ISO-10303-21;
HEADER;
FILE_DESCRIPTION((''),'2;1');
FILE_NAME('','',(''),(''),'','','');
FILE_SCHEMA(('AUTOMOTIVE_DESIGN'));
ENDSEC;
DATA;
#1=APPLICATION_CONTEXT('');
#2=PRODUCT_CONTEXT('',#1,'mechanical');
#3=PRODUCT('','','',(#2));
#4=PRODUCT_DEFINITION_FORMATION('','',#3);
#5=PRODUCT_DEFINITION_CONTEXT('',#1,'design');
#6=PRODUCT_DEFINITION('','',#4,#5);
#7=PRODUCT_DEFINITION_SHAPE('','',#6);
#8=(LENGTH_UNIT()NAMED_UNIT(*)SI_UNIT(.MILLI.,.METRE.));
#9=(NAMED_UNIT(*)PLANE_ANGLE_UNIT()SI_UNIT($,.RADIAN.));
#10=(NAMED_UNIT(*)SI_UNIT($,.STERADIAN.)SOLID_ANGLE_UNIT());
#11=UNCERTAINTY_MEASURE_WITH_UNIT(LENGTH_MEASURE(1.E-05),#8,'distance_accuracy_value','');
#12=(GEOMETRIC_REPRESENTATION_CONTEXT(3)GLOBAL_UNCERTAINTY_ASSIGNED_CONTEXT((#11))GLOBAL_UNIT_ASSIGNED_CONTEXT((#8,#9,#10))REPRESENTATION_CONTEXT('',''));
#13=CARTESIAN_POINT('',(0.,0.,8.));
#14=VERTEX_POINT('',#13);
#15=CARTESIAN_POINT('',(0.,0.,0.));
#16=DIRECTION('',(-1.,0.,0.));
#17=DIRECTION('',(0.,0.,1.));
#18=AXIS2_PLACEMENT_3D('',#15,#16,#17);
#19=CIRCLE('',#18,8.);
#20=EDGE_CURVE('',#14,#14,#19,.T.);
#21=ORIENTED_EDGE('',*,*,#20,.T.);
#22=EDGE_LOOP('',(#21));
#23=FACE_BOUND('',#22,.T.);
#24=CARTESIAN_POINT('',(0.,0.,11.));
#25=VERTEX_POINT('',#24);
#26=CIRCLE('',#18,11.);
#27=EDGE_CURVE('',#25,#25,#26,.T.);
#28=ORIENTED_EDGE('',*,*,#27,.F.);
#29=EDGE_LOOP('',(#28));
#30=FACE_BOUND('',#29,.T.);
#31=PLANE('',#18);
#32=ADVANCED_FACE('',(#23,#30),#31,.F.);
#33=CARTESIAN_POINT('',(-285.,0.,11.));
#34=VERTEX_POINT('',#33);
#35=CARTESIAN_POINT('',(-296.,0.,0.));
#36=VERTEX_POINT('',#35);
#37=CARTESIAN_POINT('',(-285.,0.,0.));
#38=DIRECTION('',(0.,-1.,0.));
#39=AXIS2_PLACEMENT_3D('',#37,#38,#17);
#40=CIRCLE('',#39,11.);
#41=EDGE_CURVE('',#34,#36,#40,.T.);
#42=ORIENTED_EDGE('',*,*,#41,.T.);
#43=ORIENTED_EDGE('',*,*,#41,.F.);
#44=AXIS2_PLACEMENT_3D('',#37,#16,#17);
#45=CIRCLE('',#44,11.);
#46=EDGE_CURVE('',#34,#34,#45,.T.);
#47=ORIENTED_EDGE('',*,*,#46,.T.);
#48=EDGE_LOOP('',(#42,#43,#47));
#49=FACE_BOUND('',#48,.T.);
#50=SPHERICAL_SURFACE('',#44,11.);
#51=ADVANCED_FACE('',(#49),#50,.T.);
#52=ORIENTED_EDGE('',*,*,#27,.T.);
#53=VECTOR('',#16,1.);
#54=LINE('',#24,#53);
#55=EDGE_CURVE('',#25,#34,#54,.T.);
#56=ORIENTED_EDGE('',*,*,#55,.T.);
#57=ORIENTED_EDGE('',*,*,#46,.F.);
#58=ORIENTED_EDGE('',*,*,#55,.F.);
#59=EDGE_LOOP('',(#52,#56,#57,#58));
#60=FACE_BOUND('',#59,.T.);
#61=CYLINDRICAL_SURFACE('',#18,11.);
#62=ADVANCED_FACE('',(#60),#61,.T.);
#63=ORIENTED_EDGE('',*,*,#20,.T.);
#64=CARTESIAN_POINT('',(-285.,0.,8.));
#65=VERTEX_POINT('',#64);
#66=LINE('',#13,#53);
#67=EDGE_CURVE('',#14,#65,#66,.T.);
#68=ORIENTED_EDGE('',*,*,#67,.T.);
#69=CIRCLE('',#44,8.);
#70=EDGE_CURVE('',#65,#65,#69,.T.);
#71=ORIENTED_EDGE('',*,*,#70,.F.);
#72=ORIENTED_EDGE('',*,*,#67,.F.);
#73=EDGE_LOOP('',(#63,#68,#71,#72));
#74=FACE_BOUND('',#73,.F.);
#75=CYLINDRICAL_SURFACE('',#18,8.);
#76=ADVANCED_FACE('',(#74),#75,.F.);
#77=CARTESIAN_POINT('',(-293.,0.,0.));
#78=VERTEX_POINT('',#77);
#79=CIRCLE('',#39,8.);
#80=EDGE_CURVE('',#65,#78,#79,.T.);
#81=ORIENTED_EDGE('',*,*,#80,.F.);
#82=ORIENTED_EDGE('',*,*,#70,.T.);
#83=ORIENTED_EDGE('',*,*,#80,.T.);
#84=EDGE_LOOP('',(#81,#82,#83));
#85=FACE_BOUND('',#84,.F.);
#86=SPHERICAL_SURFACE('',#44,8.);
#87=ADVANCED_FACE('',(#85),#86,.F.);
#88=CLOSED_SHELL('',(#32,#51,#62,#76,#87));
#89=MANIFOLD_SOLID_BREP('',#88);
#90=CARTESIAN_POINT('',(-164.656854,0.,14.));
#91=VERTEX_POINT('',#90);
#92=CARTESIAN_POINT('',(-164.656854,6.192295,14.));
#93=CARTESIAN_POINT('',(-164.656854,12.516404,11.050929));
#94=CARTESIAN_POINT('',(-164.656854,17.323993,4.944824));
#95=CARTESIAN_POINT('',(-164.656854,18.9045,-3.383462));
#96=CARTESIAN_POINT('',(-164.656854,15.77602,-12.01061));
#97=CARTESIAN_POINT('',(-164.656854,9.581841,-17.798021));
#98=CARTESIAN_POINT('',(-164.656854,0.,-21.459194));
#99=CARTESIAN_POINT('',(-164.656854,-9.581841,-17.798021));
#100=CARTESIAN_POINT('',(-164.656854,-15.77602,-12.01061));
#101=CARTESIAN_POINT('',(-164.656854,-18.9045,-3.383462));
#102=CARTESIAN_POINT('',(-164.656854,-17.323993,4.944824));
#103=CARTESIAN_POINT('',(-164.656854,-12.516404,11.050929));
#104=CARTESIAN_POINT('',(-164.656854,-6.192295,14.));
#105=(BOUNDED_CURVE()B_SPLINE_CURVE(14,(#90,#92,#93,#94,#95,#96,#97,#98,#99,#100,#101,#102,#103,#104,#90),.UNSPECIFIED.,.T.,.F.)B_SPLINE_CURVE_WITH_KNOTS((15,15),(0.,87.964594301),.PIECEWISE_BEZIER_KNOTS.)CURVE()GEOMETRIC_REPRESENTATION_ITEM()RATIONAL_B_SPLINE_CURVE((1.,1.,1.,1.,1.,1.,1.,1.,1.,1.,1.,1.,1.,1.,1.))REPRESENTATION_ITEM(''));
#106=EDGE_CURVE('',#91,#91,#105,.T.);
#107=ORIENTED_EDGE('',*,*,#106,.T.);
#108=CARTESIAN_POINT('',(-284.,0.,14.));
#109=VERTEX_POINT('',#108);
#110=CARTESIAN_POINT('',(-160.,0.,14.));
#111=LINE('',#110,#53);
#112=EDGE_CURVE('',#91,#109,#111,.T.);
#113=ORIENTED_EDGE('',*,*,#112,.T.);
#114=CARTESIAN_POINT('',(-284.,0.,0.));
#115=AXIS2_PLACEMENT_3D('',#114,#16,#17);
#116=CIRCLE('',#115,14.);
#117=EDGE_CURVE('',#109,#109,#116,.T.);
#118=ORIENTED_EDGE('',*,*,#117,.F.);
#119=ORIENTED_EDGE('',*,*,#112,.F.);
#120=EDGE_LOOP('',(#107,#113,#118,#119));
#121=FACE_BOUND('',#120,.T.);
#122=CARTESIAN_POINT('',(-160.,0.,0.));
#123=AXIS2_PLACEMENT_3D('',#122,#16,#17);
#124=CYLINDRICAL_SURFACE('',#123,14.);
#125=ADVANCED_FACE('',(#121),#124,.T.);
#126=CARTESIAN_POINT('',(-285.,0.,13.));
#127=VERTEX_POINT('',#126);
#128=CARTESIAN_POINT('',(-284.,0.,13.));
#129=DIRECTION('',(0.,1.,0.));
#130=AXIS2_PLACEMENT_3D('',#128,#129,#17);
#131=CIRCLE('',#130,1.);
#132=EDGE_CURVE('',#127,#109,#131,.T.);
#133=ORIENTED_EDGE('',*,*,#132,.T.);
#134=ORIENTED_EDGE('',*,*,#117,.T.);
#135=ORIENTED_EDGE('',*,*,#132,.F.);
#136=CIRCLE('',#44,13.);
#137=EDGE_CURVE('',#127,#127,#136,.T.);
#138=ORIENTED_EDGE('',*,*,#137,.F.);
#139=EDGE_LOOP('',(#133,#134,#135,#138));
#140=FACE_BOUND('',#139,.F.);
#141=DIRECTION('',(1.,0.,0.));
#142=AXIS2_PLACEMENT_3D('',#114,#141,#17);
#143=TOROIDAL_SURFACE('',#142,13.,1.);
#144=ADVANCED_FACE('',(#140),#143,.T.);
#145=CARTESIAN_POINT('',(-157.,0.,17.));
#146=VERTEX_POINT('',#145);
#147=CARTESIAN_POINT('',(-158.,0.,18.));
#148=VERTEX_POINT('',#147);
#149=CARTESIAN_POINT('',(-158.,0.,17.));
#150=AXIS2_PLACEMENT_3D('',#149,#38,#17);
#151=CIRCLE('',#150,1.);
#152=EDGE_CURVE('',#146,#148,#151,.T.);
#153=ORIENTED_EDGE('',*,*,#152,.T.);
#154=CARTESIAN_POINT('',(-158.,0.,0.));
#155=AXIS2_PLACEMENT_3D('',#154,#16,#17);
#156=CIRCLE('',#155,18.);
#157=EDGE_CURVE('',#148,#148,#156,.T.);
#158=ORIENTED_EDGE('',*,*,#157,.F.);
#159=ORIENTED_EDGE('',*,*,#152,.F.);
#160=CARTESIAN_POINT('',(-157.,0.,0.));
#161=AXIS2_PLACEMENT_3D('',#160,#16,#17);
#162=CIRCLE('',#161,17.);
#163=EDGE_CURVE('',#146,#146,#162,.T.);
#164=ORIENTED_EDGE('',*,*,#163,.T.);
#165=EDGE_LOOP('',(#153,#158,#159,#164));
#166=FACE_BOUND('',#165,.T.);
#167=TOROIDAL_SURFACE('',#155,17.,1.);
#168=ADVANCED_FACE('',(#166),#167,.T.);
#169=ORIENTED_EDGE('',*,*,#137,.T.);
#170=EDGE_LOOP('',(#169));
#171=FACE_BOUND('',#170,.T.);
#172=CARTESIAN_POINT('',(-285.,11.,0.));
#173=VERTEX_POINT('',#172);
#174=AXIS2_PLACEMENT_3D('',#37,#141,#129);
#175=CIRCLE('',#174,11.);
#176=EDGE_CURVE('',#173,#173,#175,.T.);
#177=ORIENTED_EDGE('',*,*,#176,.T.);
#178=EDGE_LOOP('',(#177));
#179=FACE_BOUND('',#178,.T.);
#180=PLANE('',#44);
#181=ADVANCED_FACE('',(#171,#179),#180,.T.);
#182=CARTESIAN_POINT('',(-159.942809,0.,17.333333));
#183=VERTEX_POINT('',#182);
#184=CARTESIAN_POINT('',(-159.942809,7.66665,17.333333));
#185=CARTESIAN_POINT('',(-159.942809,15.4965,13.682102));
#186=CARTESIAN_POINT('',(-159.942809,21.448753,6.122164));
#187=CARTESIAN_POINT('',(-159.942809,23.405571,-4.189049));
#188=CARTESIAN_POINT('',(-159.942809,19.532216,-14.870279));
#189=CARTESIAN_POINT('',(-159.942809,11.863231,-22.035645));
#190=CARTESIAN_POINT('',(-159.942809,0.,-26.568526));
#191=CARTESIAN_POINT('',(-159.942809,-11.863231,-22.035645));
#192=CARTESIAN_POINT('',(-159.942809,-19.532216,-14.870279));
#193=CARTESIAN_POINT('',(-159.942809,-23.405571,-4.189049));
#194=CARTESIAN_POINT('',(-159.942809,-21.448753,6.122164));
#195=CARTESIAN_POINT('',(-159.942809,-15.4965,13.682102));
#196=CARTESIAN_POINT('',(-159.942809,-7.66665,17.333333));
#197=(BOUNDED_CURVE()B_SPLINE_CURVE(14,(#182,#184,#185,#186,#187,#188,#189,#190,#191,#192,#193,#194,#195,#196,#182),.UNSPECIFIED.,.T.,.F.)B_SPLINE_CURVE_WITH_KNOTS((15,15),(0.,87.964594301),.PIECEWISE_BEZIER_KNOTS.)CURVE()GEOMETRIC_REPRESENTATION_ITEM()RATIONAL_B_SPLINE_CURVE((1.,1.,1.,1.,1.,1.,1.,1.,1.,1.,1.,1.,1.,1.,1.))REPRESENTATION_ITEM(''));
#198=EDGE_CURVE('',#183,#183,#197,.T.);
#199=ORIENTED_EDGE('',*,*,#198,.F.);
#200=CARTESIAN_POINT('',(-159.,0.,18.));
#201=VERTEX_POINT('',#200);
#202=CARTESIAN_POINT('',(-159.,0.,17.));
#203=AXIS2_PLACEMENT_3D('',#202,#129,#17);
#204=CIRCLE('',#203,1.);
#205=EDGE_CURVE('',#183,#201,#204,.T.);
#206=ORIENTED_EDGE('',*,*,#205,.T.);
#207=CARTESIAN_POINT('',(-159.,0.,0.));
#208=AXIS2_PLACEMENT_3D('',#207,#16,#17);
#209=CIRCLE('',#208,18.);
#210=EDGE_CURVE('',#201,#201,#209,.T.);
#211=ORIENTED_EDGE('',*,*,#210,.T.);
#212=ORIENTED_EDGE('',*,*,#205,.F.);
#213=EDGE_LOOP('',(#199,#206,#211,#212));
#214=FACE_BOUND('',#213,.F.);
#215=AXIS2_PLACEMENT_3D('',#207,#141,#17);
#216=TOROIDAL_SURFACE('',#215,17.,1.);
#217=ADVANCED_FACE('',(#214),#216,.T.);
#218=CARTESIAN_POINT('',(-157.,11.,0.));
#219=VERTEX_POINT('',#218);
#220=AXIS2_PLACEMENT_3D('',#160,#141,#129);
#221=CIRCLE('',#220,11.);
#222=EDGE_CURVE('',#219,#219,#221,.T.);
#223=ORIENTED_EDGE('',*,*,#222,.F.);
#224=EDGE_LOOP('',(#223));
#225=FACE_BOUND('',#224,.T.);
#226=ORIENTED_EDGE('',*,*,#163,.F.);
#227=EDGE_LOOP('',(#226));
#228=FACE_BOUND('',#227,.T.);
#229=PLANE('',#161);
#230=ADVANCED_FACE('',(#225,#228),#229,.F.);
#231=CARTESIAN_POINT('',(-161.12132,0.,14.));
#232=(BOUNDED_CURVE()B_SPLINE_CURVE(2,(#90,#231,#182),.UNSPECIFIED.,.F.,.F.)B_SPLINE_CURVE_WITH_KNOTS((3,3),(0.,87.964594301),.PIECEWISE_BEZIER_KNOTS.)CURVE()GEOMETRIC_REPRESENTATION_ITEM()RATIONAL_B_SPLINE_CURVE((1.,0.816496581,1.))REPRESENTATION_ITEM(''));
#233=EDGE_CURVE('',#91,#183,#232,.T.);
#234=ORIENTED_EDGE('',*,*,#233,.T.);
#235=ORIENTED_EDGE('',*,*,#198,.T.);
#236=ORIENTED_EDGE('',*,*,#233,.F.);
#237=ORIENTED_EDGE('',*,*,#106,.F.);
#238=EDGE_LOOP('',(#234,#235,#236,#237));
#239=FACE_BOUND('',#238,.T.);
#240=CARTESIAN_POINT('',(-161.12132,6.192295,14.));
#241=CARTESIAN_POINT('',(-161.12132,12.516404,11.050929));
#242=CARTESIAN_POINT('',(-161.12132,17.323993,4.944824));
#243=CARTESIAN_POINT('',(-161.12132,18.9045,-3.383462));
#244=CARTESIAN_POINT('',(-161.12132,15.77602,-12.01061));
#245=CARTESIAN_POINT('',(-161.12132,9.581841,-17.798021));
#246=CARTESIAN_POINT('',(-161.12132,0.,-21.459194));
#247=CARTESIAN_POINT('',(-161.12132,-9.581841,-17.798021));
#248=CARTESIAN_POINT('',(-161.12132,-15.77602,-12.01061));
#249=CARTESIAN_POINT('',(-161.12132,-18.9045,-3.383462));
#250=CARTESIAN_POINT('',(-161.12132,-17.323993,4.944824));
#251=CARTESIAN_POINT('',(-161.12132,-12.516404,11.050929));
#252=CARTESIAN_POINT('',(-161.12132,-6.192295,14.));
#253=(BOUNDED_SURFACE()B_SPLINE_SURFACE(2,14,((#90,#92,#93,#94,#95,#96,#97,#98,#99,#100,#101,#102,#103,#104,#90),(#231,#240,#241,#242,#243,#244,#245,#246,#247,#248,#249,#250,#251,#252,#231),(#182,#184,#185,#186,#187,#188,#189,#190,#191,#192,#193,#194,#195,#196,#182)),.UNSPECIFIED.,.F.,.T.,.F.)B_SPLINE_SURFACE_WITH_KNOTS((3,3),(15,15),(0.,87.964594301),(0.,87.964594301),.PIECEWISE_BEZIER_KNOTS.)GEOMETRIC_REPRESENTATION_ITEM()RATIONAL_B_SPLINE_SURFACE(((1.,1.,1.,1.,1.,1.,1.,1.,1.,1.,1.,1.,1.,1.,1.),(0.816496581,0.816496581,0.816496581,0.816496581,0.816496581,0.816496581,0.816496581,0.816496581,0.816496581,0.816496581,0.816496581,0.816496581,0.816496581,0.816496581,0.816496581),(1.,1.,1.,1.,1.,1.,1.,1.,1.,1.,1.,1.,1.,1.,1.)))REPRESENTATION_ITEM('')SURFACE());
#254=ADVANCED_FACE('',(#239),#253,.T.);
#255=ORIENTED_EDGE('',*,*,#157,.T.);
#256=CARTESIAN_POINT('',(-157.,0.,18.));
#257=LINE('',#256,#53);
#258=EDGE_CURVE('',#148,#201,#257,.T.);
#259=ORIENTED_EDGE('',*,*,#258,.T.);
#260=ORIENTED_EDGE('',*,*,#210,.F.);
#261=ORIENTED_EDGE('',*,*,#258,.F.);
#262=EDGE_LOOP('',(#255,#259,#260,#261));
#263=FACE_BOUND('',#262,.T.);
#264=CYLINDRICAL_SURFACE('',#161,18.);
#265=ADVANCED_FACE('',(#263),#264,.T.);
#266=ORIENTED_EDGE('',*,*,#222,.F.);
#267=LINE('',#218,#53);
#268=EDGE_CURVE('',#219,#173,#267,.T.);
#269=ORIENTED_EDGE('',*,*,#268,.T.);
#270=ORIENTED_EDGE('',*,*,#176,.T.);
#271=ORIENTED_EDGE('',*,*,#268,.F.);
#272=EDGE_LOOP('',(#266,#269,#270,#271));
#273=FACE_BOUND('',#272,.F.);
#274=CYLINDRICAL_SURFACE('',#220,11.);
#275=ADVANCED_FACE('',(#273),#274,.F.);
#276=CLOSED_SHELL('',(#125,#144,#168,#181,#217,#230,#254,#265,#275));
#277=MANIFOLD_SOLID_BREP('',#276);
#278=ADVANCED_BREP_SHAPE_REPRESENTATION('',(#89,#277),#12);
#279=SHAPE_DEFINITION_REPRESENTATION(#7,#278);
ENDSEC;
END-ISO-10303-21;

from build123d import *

# Parameters (mm, degrees)
F2_T     = -3
F5_R     = 11
F6_DEPTH = 139.001
F7_R     = 1
F8_R     = 5


with BuildPart() as f1:
    # F0 (on Front) → F1 (revolve)
    with BuildSketch(Plane.XZ):
        with BuildLine():
            Line((-296, 0), (0, 0))
            Line((0, 0), (0, 11))
            Line((0, 11), (-285, 11))
            ThreePointArc((-285, 11), (-292.7781745931, 7.7781745931), (-296, 0))
        make_face()
    revolve(axis=Axis((-148, 0, 0), (-1, 0, 0)))

    # F2
    f2_openings = [f1.faces().sort_by_distance(p)[0] for p in [
        (0, 0, 0),
    ]]
    offset(amount=F2_T, openings=f2_openings)


with BuildPart() as f4:
    # F3 (on Front) → F4 (revolve)
    with BuildSketch(Plane.XZ):
        Polygon((-285, 14), (-285, 0), (-157, 0), (-157, 18), (-160, 18), (-160, 14), align=None)
    revolve(axis=Axis((-221, 0, 0), (-1, 0, 0)))

    # F5 (on face) → F6 (cut, through all)
    with BuildSketch(Plane.YZ.offset(-157)):
        Circle(F5_R)
    extrude(amount=-F6_DEPTH, mode=Mode.SUBTRACT)

    # F7
    f7_edges = [f4.edges().sort_by_distance(p)[0] for p in [
        (-285, 0, -14),
        (-157, 0, -18),
        (-160, 0, -18),
        (-158.5, 0, 18),
    ]]
    fillet(f7_edges, radius=F7_R)

    # F8
    f8_edges = [f4.edges().sort_by_distance(p)[0] for p in [
        (-160, 0, -14),
    ]]
    fillet(f8_edges, radius=F8_R)


solid = Compound([f1.part, f4.part])
